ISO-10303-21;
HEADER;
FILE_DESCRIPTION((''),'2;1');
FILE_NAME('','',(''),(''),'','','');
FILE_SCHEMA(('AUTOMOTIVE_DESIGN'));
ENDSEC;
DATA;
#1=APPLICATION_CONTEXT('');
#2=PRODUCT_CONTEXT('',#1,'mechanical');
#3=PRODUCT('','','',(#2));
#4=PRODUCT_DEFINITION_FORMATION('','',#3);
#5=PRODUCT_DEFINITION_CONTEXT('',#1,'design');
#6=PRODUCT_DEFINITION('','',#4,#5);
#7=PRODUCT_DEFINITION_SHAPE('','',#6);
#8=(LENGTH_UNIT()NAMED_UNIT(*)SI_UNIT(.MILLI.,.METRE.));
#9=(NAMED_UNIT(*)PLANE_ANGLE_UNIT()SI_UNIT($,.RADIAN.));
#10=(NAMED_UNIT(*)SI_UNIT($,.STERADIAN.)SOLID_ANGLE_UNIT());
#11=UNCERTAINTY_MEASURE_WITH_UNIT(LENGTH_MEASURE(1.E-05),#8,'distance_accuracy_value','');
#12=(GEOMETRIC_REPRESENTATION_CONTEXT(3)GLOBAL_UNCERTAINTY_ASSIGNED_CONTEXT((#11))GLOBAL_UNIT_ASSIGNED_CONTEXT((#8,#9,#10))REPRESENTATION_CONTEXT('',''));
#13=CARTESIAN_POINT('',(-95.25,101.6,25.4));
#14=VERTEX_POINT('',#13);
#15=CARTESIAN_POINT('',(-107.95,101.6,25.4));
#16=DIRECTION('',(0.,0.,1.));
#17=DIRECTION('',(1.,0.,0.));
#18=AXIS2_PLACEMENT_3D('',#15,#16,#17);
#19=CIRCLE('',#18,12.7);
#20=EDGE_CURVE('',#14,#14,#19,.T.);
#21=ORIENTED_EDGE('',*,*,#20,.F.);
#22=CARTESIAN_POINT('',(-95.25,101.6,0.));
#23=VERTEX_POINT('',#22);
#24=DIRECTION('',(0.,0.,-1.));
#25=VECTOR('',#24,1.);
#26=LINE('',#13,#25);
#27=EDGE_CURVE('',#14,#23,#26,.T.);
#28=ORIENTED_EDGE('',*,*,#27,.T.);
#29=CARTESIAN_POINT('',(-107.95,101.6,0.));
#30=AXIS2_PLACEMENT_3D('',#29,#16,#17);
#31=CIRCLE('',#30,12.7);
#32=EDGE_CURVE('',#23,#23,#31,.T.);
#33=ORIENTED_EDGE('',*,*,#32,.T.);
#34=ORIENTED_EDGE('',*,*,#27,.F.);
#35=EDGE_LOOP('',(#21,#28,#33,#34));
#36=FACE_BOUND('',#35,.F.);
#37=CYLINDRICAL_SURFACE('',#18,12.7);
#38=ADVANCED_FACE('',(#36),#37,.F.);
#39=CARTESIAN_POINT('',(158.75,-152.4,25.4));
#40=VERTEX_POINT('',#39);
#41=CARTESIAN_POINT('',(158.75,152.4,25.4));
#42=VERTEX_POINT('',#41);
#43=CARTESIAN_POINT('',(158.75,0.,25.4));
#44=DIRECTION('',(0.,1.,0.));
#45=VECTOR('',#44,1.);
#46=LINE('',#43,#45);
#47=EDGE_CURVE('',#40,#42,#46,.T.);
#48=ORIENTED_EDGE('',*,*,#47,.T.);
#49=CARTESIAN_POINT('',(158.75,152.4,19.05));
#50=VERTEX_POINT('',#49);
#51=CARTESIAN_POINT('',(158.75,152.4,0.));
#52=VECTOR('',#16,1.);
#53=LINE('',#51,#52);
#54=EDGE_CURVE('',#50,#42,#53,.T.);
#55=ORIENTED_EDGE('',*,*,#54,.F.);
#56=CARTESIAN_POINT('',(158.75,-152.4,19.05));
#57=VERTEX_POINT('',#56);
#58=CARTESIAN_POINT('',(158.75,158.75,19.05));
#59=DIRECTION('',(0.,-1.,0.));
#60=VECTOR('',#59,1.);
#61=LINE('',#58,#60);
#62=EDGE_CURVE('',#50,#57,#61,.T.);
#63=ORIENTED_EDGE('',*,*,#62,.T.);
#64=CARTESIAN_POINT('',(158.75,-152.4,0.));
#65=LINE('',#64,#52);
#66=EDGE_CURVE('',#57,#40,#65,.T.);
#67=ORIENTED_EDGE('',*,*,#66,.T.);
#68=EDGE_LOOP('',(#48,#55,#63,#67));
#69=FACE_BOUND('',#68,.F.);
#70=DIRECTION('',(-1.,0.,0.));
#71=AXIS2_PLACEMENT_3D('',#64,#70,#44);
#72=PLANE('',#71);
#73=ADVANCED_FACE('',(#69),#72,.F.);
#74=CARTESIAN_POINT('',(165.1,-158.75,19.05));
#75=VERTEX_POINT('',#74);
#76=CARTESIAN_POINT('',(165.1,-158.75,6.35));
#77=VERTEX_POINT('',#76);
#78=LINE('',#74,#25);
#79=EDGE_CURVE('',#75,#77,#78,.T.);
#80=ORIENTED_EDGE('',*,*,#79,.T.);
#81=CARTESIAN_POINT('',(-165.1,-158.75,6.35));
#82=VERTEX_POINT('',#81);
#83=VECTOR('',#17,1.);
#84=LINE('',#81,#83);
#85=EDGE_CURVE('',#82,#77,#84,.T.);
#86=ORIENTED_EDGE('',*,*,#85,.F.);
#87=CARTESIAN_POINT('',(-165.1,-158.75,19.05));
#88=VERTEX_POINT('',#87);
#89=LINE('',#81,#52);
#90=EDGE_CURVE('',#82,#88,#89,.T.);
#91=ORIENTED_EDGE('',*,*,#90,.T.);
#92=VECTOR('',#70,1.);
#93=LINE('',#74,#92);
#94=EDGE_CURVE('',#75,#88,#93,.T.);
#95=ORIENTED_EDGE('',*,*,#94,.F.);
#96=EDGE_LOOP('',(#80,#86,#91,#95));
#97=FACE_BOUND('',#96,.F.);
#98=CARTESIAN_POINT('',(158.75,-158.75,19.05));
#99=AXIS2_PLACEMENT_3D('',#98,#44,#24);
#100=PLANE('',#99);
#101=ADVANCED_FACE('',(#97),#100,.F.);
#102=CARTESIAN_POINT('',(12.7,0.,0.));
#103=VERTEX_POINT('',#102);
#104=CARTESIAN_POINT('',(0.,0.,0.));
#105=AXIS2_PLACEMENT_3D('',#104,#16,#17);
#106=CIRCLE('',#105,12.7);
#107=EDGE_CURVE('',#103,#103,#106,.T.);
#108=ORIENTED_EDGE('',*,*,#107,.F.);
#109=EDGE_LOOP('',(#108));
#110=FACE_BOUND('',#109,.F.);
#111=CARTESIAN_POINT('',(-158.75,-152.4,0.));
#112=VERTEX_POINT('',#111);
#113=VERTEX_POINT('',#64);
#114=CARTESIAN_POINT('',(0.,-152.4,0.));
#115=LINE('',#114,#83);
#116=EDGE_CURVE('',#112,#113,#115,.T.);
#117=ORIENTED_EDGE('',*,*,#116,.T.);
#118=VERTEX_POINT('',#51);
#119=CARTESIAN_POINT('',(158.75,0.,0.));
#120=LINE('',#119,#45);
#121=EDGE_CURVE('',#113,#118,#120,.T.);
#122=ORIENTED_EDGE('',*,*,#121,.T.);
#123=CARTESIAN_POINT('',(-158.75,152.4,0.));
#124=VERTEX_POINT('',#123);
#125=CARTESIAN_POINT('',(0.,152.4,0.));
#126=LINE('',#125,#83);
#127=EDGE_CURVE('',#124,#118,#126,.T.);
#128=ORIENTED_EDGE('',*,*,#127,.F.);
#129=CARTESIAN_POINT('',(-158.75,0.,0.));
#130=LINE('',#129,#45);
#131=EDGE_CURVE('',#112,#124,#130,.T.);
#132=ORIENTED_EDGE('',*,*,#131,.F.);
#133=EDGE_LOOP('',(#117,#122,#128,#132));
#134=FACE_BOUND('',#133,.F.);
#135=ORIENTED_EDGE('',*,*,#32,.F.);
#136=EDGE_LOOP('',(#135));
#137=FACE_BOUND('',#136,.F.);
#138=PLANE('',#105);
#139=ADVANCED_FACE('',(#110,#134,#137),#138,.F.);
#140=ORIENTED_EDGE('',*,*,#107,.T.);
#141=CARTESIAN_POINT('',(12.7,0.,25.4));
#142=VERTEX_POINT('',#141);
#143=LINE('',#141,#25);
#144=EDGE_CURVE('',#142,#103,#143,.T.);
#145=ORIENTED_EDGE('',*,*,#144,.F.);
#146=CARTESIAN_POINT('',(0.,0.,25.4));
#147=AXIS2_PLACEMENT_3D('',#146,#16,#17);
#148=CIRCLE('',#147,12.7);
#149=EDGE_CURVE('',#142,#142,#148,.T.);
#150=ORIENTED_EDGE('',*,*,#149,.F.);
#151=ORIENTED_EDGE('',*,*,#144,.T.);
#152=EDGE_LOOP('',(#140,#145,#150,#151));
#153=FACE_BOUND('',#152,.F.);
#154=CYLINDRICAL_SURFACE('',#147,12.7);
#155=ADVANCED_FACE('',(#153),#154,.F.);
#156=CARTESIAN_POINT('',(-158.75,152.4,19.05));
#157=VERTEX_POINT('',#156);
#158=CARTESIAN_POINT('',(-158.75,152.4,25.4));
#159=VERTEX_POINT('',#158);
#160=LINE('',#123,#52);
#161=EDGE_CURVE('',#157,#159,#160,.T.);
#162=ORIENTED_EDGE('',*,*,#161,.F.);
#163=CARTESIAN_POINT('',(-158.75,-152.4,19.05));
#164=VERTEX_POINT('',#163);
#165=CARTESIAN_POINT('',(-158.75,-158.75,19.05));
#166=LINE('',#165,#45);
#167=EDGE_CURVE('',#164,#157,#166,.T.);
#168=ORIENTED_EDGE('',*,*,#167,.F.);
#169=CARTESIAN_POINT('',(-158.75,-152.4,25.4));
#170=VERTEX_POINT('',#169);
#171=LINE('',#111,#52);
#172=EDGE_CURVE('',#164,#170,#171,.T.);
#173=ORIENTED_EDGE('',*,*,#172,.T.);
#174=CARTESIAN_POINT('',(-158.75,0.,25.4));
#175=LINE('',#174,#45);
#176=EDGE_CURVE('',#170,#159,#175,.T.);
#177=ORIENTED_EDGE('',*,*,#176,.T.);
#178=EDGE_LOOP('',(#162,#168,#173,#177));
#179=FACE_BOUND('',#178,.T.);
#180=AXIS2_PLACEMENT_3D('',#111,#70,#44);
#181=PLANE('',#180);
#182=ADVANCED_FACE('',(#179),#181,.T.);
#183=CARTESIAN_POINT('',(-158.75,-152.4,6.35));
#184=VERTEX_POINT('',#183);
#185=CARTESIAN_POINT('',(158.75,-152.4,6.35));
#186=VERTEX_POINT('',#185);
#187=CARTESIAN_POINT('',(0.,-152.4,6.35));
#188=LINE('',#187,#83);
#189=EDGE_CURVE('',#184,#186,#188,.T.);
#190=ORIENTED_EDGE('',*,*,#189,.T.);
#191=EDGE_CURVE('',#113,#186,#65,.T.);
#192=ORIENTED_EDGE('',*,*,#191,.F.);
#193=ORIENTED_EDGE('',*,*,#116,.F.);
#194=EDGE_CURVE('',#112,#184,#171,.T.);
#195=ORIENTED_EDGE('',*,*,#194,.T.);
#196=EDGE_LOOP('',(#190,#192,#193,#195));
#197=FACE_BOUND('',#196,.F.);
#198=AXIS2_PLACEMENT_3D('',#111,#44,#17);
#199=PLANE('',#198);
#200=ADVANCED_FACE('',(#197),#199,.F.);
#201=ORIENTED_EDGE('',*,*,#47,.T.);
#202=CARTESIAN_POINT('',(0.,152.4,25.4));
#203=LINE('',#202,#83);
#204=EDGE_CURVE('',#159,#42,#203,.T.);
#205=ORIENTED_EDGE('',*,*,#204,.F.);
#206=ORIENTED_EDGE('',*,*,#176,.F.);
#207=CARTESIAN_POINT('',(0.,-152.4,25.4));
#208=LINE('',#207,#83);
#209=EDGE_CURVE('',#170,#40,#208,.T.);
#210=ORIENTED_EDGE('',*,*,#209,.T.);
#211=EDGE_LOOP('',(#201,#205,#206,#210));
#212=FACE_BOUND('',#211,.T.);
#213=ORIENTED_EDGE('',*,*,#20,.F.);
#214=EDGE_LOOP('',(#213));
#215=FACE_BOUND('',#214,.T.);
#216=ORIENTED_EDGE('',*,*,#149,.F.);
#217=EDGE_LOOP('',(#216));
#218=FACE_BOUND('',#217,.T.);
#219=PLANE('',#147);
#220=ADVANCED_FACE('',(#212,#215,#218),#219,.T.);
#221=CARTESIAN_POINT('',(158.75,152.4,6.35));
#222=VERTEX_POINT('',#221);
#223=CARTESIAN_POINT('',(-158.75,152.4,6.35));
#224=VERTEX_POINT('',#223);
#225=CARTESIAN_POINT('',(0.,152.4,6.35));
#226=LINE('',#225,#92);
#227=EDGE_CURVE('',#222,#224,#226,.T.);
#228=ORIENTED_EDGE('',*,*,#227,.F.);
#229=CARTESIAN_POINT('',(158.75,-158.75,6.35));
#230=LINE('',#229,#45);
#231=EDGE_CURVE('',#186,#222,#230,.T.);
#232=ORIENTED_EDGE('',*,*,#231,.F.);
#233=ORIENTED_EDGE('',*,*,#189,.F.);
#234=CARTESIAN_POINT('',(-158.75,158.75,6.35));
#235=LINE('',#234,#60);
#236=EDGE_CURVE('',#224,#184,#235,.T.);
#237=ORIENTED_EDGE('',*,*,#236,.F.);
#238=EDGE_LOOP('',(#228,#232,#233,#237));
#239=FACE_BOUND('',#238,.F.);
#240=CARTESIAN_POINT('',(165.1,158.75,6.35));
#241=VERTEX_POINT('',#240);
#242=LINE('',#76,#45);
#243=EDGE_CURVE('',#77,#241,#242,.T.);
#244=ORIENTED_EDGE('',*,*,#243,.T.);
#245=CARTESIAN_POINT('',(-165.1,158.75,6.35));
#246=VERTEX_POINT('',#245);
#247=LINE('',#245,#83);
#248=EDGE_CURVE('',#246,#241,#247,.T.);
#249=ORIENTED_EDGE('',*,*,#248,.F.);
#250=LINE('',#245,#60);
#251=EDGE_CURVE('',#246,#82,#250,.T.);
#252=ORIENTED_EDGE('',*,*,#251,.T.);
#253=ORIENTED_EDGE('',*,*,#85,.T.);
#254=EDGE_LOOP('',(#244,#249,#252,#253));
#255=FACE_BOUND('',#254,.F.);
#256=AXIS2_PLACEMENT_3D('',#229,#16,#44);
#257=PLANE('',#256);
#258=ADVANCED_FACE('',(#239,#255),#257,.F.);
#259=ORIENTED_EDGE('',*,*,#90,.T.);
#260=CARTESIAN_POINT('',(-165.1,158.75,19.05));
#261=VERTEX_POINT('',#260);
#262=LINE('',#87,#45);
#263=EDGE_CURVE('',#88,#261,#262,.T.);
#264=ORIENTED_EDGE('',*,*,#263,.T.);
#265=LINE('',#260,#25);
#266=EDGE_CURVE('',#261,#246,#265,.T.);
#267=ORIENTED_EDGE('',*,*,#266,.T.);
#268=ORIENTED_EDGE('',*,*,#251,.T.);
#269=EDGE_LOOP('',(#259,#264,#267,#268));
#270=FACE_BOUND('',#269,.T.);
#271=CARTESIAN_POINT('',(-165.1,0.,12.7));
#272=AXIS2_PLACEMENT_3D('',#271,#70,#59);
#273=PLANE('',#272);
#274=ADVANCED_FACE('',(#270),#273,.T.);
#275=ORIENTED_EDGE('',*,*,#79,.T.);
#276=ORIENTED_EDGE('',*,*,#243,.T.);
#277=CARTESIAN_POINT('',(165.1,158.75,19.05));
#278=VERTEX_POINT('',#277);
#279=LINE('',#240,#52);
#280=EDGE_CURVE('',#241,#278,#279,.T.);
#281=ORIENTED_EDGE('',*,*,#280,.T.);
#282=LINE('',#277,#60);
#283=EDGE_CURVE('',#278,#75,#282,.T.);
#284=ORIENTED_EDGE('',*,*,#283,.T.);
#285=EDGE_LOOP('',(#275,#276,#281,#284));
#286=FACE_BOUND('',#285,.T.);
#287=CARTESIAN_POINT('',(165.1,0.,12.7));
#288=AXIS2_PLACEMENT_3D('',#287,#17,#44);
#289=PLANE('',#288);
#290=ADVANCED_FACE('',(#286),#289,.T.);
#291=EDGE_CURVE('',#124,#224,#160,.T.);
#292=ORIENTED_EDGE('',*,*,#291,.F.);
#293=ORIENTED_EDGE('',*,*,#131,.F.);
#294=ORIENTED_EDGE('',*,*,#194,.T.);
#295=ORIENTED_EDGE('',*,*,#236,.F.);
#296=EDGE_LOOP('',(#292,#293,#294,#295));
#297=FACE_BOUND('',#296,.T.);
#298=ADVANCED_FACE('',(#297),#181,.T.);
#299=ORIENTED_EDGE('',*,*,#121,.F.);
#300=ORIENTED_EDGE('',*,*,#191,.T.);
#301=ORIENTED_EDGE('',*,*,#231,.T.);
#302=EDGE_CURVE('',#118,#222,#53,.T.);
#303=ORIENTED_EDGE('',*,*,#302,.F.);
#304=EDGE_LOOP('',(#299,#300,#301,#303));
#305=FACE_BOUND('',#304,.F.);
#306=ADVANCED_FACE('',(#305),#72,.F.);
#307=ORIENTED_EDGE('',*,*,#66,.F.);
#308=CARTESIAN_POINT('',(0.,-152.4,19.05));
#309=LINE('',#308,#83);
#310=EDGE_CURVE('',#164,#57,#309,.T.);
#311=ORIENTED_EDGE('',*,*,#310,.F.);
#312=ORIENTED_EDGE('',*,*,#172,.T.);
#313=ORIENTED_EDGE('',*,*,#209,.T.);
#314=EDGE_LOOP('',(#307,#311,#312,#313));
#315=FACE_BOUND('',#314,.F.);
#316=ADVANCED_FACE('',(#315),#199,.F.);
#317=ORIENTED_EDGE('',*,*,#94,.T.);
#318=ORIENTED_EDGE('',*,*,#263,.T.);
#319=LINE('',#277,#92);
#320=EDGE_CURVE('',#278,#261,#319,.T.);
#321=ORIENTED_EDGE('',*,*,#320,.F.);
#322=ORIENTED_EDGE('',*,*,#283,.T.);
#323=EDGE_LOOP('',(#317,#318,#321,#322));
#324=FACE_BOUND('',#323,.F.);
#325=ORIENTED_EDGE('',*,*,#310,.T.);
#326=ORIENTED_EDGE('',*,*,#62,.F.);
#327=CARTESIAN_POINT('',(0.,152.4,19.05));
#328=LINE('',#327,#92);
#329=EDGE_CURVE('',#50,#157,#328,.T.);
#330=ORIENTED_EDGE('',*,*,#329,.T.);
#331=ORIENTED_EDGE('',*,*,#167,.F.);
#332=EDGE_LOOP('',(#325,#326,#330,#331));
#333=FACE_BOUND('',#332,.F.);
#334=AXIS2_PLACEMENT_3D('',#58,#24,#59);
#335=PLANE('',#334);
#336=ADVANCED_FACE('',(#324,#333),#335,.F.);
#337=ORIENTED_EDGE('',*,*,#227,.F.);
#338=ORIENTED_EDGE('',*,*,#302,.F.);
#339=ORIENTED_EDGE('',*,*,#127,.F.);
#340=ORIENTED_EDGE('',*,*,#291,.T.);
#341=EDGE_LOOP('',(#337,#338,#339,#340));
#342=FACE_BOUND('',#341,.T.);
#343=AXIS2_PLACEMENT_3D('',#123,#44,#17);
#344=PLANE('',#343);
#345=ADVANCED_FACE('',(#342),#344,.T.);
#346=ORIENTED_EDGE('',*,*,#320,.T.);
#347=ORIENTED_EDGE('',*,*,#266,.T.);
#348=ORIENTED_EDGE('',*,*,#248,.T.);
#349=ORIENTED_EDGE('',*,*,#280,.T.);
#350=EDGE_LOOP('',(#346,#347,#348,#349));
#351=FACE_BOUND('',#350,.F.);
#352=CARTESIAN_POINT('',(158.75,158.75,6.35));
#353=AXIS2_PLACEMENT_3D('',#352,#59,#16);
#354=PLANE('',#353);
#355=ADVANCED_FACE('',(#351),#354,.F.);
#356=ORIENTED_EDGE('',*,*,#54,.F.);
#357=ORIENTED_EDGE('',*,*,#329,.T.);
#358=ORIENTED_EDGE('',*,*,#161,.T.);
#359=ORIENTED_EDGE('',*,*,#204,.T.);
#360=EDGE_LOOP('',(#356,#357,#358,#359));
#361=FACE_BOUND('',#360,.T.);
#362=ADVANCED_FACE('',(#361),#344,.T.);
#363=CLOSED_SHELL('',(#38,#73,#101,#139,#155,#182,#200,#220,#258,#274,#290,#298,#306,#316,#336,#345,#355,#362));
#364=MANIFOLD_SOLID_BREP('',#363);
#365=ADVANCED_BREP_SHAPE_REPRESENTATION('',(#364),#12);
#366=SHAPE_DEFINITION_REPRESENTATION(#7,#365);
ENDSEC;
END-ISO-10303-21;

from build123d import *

# Parameters (mm, degrees)
F0_W      = 317.5
F0_H      = 304.8
F1_DEPTH  = 25.4
F2_W      = 317.5
F2_H      = 12.7
F3_DEPTH  = 6.35
F4_W      = 317.5
F4_H      = 12.7
F5_DEPTH  = 6.35
F8_DEPTH  = 6.35
F9_DEPTH  = 6.35
F10_R     = 12.7
F11_DEPTH = 25.4
F12_R     = 12.7
F13_DEPTH = 25.4


with BuildPart() as f1:
    # F0 (on Top) → F1 (new body)
    with BuildSketch(Plane.XY):
        Rectangle(F0_W, F0_H)
    extrude(amount=F1_DEPTH)

    # F2 (on face) → F3 (join)
    with BuildSketch(Plane.XZ.offset(152.4)):
        with Locations((0, 12.7)):
            Rectangle(F2_W, F2_H)
    extrude(amount=F3_DEPTH)

    # F4 (on face) → F5 (join)
    with BuildSketch(Plane(origin=(0, 152.4, 0), x_dir=(-1, 0, 0), z_dir=(0, 1, 0))):
        with Locations((0, 12.7)):
            Rectangle(F4_W, F4_H)
    extrude(amount=F5_DEPTH)

    # F7 (on face) → F8 (join)
    with BuildSketch(Plane(origin=(-158.75, 0, 0), x_dir=(0, -1, 0), z_dir=(-1, 0, 0))):
        Polygon((-152.4, 19.05), (-158.75, 19.05), (-158.75, 6.35), (-152.4, 6.35), (152.4, 6.35), (158.75, 6.35), (158.75, 19.05), (152.4, 19.05), align=None)
    extrude(amount=F8_DEPTH)

    # F6 (on face) → F9 (join)
    with BuildSketch(Plane.YZ.offset(158.75)):
        Polygon((-152.4, 19.05), (-158.75, 19.05), (-158.75, 6.35), (-152.4, 6.35), (152.4, 6.35), (158.75, 6.35), (158.75, 19.05), (152.4, 19.05), align=None)
    extrude(amount=F9_DEPTH)

    # F10 (on face) → F11 (cut)
    with BuildSketch(Plane.XY.offset(25.4)):
        with Locations((-107.95, 101.6)):
            Circle(F10_R)
    extrude(amount=-F11_DEPTH, mode=Mode.SUBTRACT)

    # F12 (on face) → F13 (cut)
    with BuildSketch(Plane.XY.offset(25.4)):
        Circle(F12_R)
    extrude(amount=-F13_DEPTH, mode=Mode.SUBTRACT)


solid = f1.part
